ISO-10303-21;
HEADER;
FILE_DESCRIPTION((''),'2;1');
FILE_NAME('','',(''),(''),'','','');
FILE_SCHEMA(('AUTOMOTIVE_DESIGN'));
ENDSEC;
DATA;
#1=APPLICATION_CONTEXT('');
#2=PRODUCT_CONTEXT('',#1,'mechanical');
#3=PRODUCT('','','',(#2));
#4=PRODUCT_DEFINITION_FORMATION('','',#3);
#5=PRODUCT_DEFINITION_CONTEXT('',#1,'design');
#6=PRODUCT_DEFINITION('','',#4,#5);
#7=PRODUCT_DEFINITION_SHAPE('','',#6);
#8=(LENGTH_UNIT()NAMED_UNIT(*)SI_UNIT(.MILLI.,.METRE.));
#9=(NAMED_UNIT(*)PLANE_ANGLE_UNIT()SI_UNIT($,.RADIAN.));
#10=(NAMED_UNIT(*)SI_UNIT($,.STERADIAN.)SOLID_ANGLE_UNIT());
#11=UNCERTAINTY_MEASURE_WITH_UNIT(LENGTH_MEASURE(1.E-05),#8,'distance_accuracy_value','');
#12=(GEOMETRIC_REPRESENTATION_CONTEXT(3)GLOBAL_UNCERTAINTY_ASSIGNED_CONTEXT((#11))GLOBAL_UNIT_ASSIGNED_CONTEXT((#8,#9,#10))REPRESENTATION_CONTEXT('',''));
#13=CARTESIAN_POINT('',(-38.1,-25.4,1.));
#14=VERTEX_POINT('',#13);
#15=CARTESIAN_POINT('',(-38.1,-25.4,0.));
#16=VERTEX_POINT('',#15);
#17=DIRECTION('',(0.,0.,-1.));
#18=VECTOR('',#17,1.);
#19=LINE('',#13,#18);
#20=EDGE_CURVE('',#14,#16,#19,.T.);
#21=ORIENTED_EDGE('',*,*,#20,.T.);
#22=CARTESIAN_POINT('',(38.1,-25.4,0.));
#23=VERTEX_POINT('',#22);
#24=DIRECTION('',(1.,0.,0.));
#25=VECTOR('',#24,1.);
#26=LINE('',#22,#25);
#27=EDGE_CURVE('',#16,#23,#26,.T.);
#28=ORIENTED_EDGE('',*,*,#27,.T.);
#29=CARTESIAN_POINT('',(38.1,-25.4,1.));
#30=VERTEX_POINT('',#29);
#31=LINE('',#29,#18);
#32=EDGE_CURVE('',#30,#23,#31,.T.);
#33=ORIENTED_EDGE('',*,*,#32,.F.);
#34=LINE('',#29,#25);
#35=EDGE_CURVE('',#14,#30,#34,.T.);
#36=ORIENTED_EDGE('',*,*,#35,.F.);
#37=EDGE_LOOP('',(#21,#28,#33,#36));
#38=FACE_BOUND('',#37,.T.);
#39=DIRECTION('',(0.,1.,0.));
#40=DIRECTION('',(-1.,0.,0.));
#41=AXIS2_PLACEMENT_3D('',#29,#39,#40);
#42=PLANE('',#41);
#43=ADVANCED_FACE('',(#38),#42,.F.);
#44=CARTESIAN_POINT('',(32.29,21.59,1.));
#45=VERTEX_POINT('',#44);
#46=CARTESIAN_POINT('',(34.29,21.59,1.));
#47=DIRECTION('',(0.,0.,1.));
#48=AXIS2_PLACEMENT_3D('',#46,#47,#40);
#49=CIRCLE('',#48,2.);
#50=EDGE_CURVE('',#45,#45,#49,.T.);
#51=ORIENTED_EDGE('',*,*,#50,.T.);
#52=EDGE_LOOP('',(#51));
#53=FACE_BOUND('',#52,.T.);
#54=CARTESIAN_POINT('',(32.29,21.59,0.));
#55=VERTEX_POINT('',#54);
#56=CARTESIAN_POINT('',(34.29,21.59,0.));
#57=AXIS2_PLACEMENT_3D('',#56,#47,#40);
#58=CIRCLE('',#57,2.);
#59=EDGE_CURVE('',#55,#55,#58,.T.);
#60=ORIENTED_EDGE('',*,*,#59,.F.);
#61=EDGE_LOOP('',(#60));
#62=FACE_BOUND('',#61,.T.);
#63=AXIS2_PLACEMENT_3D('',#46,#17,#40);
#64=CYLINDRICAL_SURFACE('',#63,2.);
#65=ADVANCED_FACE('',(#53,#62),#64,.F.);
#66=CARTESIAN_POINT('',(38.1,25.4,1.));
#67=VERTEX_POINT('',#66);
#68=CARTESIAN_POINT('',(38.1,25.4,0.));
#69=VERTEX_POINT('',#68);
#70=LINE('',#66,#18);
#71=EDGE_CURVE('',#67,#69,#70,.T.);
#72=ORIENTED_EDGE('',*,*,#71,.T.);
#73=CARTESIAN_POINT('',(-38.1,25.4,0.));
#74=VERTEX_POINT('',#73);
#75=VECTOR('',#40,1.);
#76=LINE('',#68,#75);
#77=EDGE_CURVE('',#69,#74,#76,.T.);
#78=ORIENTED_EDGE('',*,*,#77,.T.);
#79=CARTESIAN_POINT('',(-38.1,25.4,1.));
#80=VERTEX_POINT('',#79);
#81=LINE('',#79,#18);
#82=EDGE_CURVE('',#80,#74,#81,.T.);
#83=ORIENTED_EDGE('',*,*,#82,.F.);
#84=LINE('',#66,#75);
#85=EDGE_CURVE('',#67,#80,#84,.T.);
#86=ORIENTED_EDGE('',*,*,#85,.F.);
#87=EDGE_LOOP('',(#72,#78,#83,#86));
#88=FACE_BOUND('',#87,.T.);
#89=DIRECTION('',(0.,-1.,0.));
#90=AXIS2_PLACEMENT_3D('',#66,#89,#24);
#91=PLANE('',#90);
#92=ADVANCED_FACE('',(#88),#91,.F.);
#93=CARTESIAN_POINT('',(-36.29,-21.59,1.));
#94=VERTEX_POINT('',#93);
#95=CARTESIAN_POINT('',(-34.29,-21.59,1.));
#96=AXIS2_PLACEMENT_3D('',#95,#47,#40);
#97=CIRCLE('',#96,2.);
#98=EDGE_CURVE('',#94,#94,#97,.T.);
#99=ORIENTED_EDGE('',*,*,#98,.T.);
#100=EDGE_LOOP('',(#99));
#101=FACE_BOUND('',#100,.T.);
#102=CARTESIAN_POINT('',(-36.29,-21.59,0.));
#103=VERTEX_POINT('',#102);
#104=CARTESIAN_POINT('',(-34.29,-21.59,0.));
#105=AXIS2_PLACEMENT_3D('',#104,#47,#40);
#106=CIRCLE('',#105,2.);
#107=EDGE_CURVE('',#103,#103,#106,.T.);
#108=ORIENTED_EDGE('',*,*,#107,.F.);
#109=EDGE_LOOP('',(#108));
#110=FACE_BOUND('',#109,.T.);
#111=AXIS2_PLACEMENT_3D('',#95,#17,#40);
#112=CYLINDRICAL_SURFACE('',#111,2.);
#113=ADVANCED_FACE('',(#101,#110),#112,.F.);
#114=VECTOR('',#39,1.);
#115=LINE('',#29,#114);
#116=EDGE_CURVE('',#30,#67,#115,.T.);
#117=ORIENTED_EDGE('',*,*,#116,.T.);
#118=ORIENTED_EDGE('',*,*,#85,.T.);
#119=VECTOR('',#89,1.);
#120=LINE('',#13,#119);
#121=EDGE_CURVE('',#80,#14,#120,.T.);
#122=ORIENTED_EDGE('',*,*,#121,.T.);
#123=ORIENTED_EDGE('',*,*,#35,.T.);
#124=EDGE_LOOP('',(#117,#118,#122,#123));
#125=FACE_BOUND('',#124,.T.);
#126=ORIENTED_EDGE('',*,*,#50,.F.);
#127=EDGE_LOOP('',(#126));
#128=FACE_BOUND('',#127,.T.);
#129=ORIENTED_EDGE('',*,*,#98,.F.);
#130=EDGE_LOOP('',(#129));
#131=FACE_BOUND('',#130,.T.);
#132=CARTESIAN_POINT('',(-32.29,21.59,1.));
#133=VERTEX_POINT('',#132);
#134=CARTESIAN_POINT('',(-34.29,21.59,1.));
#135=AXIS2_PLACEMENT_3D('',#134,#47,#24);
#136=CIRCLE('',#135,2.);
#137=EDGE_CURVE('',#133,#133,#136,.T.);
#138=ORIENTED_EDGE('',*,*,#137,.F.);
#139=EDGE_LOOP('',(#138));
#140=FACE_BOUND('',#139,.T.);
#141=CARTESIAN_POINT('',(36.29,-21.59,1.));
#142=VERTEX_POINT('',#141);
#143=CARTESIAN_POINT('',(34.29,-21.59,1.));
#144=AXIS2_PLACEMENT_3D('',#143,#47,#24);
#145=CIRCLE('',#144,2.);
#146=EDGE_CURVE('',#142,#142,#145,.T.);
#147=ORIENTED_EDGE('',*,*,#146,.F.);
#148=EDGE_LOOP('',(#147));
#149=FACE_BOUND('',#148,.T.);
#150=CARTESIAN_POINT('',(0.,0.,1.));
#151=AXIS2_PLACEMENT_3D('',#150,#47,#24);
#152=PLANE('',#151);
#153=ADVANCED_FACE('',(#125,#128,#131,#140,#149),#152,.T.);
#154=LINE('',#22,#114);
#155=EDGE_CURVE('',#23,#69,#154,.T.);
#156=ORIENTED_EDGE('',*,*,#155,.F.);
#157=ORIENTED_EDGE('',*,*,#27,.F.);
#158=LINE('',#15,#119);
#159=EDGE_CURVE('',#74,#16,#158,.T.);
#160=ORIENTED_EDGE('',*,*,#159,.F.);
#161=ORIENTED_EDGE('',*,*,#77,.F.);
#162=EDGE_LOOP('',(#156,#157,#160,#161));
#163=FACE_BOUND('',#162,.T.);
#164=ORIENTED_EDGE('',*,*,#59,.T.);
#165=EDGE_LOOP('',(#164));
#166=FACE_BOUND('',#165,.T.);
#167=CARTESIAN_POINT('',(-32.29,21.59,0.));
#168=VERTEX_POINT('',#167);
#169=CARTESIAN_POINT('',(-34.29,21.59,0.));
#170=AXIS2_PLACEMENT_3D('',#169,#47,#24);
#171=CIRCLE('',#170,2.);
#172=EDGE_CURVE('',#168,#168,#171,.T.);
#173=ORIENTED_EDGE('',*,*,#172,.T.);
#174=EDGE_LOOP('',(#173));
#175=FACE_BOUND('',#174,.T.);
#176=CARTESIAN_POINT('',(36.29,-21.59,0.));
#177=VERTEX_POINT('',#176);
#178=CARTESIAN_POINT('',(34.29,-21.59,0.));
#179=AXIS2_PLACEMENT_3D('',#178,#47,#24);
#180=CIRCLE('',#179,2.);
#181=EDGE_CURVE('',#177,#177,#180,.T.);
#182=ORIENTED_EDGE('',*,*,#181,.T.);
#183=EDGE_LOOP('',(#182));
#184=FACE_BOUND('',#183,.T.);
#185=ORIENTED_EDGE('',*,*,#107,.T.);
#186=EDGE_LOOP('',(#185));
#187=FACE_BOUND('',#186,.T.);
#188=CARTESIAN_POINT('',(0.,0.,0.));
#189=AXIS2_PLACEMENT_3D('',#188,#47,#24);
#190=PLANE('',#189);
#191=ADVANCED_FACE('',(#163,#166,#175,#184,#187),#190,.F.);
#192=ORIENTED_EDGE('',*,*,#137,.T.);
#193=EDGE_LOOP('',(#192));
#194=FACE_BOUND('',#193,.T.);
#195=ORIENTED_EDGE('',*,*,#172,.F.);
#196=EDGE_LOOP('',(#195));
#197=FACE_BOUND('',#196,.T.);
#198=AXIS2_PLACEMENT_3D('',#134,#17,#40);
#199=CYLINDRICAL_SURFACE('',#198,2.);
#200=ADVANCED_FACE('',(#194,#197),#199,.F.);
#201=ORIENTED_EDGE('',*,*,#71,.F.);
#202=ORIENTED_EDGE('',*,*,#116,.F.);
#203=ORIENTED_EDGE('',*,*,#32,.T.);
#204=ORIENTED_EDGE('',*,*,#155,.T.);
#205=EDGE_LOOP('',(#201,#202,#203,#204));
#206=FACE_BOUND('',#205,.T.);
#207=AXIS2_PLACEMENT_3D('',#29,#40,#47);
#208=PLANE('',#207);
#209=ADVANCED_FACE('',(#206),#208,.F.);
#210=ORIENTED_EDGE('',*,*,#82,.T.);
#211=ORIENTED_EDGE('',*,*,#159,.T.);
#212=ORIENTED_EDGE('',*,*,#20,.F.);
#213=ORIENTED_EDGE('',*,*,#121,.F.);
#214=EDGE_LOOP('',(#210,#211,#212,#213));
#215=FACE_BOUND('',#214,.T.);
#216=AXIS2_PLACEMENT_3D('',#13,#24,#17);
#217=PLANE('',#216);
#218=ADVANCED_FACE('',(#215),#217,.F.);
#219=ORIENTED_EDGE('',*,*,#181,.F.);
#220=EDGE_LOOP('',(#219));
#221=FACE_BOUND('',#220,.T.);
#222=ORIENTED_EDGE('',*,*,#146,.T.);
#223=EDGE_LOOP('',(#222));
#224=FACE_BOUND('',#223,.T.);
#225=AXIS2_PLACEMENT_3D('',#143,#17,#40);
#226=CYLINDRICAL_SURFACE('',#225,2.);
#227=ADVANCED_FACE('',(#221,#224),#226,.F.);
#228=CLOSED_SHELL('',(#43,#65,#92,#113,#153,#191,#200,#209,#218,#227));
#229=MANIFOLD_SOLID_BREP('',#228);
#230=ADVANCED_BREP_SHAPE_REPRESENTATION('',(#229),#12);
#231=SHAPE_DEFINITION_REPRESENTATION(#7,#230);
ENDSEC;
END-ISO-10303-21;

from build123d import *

# Parameters (mm, degrees)
SKETCH1_W           = 76.2
SKETCH1_H           = 50.8
SKETCH1_R           = 2
BOSS_EXTRUDE1_DEPTH = 1


with BuildPart() as part:
    # Sketch1 → Boss-Extrude1 (new body)
    with BuildSketch(Plane.XY):
        Rectangle(SKETCH1_W, SKETCH1_H)
        with Locations((-34.29, 21.59)):
            Circle(SKETCH1_R, mode=Mode.SUBTRACT)
        with Locations(Location((34.29, 21.59, 0), (0, 0, 180))):
            Circle(SKETCH1_R, mode=Mode.SUBTRACT)
        with Locations(Location((-34.29, -21.59, 0), (0, 0, 180))):
            Circle(SKETCH1_R, mode=Mode.SUBTRACT)
        with Locations((34.29, -21.59)):
            Circle(SKETCH1_R, mode=Mode.SUBTRACT)
    extrude(amount=BOSS_EXTRUDE1_DEPTH)


solid = part.part
